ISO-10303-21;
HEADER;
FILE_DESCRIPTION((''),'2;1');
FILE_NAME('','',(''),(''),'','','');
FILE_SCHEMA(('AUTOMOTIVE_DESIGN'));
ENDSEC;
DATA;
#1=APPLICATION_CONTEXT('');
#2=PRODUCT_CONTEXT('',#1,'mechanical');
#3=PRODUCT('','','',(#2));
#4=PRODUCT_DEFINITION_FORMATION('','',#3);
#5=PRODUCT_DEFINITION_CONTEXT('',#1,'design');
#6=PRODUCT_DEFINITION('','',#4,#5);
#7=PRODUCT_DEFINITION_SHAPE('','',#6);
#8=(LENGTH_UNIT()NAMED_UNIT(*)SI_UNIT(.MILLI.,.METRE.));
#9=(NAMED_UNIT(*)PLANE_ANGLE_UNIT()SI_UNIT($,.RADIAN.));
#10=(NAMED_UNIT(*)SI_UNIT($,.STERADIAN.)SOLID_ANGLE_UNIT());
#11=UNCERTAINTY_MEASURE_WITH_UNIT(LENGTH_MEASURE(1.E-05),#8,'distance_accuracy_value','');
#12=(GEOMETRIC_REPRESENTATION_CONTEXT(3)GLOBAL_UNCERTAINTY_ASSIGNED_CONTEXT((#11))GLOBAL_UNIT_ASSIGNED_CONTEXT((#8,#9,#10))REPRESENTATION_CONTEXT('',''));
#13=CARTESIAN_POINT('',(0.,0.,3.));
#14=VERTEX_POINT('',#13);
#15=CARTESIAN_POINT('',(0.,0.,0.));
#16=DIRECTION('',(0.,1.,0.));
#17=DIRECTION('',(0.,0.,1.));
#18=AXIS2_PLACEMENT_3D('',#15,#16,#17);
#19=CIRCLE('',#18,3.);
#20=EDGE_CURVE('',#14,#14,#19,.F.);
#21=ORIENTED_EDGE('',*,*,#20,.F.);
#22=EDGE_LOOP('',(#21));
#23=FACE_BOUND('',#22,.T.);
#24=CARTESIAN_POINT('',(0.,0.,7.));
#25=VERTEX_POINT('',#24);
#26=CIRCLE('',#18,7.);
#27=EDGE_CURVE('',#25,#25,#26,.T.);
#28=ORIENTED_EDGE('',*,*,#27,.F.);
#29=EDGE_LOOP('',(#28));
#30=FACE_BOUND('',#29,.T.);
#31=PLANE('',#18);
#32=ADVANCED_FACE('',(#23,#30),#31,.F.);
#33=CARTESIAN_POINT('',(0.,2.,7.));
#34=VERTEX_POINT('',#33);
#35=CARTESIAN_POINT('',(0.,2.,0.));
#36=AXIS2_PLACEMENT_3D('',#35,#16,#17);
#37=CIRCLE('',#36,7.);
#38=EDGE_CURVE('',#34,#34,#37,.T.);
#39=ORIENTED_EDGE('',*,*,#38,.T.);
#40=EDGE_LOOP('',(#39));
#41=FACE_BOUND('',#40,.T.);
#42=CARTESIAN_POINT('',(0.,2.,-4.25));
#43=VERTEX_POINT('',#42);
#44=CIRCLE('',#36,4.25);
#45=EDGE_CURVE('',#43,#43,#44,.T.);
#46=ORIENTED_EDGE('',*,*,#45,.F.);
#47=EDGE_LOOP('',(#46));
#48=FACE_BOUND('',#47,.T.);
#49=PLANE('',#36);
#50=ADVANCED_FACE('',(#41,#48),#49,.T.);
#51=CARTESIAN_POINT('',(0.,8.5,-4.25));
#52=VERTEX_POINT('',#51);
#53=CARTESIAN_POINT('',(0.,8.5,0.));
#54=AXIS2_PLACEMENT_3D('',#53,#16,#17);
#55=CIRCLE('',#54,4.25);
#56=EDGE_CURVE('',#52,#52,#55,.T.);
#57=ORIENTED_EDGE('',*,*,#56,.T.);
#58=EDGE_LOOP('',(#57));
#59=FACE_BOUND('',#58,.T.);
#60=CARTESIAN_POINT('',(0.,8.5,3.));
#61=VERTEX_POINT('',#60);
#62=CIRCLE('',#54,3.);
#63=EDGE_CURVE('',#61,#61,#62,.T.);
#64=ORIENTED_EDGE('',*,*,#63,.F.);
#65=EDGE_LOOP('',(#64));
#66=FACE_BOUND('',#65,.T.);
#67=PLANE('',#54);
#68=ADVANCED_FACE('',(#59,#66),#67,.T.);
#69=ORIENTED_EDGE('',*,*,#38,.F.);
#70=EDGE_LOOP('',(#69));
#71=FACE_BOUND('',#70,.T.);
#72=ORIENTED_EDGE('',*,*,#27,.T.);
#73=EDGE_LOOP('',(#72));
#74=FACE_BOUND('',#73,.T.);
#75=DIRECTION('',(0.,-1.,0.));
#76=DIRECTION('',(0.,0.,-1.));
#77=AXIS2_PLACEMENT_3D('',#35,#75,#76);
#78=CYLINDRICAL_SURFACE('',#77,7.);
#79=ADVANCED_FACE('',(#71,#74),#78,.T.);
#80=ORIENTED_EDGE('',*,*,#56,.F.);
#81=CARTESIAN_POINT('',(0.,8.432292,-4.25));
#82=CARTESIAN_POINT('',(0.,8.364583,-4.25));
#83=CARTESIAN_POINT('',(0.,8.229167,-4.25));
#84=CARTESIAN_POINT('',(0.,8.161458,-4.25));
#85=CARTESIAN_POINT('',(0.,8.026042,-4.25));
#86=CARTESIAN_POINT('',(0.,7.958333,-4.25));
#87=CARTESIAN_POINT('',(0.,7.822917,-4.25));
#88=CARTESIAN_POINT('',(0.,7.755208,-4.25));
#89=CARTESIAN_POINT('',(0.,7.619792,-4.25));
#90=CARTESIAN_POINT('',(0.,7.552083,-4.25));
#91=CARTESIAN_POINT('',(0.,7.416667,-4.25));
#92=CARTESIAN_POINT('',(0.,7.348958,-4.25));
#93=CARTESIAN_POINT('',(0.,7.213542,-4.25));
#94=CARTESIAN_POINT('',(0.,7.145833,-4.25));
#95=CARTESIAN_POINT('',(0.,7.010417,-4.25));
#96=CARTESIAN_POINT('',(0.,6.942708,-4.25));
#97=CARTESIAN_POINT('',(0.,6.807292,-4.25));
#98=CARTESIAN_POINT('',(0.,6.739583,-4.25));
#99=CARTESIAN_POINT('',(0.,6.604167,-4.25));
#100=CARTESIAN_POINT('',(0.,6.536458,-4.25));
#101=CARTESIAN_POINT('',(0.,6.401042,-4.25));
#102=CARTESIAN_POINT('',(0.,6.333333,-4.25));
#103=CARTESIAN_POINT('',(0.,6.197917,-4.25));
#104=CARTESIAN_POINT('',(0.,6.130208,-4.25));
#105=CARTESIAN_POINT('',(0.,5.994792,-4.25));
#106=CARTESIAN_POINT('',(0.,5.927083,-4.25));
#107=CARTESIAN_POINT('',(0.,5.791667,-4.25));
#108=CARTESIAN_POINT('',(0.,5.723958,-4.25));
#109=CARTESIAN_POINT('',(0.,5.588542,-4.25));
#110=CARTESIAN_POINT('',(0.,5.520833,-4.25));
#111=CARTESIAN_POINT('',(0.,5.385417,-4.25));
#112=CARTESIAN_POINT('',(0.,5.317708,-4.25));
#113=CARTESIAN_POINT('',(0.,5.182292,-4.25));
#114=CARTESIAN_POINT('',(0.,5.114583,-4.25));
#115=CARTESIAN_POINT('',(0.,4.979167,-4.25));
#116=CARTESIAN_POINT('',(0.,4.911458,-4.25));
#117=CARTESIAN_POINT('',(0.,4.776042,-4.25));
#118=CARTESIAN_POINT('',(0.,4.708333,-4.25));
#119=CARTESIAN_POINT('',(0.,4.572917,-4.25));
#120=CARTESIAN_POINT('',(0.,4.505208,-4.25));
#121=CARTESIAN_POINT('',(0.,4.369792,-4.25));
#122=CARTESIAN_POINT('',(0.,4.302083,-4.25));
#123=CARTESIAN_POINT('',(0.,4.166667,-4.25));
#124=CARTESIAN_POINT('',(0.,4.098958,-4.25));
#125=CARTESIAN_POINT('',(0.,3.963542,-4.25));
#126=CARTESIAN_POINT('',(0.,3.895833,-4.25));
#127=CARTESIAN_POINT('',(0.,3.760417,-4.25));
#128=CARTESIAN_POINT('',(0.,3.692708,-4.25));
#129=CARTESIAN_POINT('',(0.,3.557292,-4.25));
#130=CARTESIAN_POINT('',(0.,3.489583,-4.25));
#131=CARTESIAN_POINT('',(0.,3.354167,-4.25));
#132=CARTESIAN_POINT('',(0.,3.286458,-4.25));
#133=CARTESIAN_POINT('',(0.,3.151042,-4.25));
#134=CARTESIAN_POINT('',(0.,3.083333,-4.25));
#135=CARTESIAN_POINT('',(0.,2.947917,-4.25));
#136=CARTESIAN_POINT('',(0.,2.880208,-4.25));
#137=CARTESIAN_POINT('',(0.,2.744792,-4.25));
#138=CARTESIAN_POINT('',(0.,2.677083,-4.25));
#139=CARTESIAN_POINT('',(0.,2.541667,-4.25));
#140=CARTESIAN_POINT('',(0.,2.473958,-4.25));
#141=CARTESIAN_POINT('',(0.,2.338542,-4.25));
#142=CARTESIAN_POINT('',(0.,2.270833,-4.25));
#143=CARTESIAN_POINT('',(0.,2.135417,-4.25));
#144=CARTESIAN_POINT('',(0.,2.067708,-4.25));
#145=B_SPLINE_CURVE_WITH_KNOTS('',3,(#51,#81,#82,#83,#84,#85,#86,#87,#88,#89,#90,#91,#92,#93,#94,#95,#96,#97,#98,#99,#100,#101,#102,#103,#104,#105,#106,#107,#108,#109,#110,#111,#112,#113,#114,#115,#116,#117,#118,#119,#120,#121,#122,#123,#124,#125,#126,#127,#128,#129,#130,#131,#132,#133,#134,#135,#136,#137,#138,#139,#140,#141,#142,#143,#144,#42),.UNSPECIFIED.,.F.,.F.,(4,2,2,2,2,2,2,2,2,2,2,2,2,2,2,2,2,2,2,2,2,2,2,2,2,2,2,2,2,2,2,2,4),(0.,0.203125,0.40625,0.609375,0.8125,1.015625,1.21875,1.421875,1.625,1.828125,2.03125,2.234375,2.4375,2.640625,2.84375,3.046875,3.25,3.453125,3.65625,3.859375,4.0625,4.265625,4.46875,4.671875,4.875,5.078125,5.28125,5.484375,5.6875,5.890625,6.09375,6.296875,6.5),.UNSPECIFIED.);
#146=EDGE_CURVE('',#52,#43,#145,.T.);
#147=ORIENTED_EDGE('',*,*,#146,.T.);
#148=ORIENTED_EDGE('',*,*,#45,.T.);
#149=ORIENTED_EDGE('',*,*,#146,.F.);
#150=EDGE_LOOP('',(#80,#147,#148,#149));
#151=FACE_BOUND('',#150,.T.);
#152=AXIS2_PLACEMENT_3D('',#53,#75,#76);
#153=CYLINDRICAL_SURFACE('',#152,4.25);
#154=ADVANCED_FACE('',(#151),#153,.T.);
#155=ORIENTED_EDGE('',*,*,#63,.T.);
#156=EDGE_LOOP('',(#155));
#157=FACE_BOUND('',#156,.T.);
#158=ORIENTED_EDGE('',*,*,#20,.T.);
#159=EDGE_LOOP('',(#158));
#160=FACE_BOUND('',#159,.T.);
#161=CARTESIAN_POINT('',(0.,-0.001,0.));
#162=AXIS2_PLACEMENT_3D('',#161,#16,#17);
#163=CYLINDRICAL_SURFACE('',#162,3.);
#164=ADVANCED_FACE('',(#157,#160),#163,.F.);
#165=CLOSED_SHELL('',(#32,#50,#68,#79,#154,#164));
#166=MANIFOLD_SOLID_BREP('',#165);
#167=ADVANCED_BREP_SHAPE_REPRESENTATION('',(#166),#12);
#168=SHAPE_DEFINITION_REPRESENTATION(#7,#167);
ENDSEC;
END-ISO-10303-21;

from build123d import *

# Parameters (mm, degrees)
SKETCH_1_R          = 7
EXTRUDE_1_DEPTH     = 2
SKETCH_2_R          = 4.25
EXTRUDE_2_DEPTH     = 6.5
CUT_EXTRUDE_1_REACH = 15.048
SKETCH_3_R          = 3


with BuildPart() as part:
    # 草图1 → 凸台-拉伸1 (new body)
    with BuildSketch(Plane(origin=(0, 0, 0), x_dir=(1, 0, 0), z_dir=(0, 1, 0))):
        with Locations(Location((0, 0, 0), (0, 0, 270))):
            Circle(SKETCH_1_R)
    extrude(amount=EXTRUDE_1_DEPTH)

    # 草图2 → 凸台-拉伸2 (add)
    with BuildSketch(Plane(origin=(0, 2, 0), x_dir=(1, 0, 0), z_dir=(0, 1, 0))):
        with Locations(Location((0, 0, 0), (0, 0, 90))):
            Circle(SKETCH_2_R)
    extrude(amount=EXTRUDE_2_DEPTH)

    # 草图3 → 切除-拉伸1 (cut, up to next)
    with BuildSketch(Plane(origin=(0, 8.5, 0), x_dir=(1, 0, 0), z_dir=(0, 1, 0)), mode=Mode.PRIVATE) as cut_extrude_1_sk1:
        with Locations(Location((0, 0, 0), (0, 0, 270))):
            Circle(SKETCH_3_R)
    cut_extrude_1_tool1 = extrude(cut_extrude_1_sk1.sketch, amount=-CUT_EXTRUDE_1_REACH, mode=Mode.PRIVATE) & part.part
    add(cut_extrude_1_tool1.solids().sort_by_distance((0, 8.5, 0))[0], mode=Mode.SUBTRACT)


solid = part.part
